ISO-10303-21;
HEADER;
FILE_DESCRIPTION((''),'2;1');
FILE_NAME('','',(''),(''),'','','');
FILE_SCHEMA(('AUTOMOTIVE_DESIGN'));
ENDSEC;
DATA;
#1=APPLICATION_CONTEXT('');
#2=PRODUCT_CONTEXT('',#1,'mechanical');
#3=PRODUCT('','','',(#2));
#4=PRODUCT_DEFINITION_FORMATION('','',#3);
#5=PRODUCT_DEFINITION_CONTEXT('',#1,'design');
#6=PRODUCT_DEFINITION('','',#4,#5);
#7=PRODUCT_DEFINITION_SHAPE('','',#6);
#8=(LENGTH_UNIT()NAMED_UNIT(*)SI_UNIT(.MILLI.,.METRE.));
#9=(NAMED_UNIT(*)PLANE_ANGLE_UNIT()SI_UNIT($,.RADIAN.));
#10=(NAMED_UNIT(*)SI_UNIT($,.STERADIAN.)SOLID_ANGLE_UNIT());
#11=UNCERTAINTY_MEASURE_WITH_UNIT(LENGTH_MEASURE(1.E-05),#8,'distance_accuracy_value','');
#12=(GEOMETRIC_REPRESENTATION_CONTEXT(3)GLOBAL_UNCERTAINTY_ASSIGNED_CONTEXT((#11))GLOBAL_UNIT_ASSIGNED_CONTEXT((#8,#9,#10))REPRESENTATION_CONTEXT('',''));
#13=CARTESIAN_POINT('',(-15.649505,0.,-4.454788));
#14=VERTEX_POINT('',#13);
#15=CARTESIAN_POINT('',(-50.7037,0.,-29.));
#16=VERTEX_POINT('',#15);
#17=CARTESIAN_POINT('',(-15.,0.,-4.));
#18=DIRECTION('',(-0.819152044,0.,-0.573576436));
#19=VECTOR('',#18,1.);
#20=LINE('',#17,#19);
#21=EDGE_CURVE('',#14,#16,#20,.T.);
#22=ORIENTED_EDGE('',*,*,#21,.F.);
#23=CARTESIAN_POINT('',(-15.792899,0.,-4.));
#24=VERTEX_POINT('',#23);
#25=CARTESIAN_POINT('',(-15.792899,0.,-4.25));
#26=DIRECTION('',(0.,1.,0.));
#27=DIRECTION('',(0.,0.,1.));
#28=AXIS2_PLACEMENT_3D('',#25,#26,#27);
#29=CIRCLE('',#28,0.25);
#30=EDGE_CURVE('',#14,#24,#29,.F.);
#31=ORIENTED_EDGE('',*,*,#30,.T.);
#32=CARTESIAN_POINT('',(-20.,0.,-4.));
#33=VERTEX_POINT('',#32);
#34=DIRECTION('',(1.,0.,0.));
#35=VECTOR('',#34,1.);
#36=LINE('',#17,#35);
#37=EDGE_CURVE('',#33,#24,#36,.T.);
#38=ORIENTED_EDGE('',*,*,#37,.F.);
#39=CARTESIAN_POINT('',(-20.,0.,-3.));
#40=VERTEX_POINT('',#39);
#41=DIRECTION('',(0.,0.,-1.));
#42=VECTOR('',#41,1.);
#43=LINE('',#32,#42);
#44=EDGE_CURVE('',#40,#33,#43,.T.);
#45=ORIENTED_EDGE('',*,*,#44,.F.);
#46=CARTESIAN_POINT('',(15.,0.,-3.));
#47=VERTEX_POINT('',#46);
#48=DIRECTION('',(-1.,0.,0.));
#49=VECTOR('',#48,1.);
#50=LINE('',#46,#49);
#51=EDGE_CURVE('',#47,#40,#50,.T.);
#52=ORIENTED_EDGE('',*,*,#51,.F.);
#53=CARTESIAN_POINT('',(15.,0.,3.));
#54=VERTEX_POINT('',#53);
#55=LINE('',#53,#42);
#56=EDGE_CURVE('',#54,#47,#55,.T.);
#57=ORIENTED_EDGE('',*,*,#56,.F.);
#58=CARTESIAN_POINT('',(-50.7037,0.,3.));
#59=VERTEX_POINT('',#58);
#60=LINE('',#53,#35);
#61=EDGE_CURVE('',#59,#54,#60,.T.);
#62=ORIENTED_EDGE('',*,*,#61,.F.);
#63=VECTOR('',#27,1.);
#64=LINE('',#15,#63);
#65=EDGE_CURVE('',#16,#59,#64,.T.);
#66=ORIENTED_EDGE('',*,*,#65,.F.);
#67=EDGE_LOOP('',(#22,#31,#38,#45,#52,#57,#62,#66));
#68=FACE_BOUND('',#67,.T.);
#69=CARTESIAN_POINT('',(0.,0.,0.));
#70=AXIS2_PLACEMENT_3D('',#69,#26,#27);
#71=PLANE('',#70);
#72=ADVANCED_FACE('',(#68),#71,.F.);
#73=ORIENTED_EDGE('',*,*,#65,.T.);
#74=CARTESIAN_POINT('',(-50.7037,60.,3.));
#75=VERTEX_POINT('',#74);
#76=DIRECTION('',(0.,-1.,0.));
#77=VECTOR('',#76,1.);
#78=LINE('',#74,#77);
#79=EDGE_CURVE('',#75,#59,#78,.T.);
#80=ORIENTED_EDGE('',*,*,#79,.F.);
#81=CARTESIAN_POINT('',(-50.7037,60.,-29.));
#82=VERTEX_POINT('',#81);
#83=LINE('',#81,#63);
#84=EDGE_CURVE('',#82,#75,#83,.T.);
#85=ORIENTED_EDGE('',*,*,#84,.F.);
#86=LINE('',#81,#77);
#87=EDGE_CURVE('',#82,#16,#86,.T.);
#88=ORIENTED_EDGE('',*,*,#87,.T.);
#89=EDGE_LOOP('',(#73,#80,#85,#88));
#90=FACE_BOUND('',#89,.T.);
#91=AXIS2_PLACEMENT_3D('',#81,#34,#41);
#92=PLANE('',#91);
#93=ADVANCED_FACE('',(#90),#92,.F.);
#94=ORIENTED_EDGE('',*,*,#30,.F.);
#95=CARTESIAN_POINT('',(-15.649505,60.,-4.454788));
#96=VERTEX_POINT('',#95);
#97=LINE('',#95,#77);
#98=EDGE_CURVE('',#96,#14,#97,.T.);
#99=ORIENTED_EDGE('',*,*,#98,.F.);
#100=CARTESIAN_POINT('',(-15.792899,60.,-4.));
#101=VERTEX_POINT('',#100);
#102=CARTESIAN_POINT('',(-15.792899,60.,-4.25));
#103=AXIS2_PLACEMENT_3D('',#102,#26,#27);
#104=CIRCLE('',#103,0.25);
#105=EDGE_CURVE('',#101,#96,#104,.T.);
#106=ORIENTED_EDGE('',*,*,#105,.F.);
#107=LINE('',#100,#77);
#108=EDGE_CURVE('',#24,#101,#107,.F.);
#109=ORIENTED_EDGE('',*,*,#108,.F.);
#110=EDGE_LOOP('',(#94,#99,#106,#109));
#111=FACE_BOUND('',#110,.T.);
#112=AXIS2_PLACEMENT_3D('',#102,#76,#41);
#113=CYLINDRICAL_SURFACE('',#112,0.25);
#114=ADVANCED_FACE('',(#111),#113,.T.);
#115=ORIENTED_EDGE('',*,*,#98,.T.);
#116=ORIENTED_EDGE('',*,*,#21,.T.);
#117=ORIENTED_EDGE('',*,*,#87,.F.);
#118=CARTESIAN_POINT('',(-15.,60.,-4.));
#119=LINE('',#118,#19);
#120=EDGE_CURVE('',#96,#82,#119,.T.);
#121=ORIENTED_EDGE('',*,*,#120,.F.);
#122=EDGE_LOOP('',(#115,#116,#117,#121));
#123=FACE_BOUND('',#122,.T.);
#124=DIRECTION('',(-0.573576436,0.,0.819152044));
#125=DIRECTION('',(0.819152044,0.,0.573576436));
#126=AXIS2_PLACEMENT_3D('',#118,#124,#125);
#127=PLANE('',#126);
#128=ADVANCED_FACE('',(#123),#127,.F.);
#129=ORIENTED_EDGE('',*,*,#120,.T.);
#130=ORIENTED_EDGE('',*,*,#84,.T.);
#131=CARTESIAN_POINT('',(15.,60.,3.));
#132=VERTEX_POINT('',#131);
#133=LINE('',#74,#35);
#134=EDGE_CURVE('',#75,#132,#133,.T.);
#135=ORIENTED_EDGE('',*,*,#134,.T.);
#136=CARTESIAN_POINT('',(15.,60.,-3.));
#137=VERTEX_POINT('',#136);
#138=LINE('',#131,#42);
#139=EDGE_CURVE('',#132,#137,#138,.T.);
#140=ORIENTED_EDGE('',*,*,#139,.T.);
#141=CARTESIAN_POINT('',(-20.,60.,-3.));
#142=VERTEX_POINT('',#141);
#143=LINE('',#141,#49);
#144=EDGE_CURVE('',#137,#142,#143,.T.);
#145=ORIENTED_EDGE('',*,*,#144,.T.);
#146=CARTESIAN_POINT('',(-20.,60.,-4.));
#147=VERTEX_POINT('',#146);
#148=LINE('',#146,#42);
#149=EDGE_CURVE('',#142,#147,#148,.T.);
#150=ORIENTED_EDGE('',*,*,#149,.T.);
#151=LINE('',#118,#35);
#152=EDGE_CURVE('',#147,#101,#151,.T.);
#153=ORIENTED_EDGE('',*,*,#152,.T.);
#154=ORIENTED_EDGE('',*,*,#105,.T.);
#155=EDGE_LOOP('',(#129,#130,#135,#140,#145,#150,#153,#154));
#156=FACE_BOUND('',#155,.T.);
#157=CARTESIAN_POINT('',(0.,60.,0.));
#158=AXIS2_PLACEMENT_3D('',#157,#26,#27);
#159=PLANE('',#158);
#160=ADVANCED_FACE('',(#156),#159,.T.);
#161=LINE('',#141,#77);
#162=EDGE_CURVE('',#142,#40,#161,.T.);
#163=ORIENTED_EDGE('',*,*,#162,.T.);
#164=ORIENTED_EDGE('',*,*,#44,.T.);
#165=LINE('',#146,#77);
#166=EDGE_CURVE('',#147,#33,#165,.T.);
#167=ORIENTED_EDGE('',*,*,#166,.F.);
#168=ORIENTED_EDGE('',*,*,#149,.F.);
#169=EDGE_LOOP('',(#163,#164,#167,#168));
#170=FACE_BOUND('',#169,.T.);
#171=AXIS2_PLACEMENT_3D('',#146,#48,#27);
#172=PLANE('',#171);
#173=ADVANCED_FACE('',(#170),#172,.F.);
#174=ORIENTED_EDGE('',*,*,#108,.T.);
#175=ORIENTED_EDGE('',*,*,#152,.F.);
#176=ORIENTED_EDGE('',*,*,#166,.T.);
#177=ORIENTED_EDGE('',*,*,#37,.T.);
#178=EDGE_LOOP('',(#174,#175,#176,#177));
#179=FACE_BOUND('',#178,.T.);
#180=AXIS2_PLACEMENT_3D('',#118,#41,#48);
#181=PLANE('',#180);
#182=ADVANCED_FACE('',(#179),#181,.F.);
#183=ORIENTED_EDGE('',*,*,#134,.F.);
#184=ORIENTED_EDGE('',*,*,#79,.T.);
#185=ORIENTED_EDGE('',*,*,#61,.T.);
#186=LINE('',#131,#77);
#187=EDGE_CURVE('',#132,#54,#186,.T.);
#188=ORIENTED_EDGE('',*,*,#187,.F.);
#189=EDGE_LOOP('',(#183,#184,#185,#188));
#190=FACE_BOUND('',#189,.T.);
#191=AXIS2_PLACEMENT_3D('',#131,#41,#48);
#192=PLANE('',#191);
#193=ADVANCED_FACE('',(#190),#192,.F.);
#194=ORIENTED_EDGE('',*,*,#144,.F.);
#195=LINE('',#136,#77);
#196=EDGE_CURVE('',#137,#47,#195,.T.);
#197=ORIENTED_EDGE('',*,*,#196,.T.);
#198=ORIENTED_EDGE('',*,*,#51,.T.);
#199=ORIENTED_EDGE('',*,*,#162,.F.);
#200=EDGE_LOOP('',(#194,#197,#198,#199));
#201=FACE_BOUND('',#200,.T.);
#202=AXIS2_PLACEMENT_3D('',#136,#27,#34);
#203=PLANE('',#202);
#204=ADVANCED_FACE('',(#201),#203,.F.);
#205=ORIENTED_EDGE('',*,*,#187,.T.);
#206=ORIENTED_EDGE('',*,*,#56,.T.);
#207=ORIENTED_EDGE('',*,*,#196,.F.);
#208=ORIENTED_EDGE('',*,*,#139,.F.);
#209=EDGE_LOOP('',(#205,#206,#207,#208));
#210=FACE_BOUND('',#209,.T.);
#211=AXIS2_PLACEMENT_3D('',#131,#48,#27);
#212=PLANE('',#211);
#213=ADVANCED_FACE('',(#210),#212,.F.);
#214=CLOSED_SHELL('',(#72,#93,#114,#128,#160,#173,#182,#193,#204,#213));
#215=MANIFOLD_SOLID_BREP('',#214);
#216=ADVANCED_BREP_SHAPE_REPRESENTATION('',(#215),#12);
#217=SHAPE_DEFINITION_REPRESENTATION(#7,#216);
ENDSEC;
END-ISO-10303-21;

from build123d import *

# Parameters (mm, degrees)
BOSS_EXTRUDE1_DEPTH = 60
FILLET1_R           = 0.25


with BuildPart() as part:
    # Sketch1 → Boss-Extrude1 (new body)
    with BuildSketch(Plane(origin=(0, 0, 0), x_dir=(1, 0, 0), z_dir=(0, 1, 0))):
        Polygon((15, -3), (-15, -3), (-50.703700169, -3), (-50.703700169, 29), (-15, 4), (-20, 4), (-20, 3), (-15, 3), (15, 3), align=None)
    extrude(amount=BOSS_EXTRUDE1_DEPTH)

    # Fillet1
    fillet1_edges = [part.edges().sort_by_distance(p)[0] for p in [
        (-15, 30, -4),
    ]]
    fillet(fillet1_edges, radius=FILLET1_R)


solid = part.part
